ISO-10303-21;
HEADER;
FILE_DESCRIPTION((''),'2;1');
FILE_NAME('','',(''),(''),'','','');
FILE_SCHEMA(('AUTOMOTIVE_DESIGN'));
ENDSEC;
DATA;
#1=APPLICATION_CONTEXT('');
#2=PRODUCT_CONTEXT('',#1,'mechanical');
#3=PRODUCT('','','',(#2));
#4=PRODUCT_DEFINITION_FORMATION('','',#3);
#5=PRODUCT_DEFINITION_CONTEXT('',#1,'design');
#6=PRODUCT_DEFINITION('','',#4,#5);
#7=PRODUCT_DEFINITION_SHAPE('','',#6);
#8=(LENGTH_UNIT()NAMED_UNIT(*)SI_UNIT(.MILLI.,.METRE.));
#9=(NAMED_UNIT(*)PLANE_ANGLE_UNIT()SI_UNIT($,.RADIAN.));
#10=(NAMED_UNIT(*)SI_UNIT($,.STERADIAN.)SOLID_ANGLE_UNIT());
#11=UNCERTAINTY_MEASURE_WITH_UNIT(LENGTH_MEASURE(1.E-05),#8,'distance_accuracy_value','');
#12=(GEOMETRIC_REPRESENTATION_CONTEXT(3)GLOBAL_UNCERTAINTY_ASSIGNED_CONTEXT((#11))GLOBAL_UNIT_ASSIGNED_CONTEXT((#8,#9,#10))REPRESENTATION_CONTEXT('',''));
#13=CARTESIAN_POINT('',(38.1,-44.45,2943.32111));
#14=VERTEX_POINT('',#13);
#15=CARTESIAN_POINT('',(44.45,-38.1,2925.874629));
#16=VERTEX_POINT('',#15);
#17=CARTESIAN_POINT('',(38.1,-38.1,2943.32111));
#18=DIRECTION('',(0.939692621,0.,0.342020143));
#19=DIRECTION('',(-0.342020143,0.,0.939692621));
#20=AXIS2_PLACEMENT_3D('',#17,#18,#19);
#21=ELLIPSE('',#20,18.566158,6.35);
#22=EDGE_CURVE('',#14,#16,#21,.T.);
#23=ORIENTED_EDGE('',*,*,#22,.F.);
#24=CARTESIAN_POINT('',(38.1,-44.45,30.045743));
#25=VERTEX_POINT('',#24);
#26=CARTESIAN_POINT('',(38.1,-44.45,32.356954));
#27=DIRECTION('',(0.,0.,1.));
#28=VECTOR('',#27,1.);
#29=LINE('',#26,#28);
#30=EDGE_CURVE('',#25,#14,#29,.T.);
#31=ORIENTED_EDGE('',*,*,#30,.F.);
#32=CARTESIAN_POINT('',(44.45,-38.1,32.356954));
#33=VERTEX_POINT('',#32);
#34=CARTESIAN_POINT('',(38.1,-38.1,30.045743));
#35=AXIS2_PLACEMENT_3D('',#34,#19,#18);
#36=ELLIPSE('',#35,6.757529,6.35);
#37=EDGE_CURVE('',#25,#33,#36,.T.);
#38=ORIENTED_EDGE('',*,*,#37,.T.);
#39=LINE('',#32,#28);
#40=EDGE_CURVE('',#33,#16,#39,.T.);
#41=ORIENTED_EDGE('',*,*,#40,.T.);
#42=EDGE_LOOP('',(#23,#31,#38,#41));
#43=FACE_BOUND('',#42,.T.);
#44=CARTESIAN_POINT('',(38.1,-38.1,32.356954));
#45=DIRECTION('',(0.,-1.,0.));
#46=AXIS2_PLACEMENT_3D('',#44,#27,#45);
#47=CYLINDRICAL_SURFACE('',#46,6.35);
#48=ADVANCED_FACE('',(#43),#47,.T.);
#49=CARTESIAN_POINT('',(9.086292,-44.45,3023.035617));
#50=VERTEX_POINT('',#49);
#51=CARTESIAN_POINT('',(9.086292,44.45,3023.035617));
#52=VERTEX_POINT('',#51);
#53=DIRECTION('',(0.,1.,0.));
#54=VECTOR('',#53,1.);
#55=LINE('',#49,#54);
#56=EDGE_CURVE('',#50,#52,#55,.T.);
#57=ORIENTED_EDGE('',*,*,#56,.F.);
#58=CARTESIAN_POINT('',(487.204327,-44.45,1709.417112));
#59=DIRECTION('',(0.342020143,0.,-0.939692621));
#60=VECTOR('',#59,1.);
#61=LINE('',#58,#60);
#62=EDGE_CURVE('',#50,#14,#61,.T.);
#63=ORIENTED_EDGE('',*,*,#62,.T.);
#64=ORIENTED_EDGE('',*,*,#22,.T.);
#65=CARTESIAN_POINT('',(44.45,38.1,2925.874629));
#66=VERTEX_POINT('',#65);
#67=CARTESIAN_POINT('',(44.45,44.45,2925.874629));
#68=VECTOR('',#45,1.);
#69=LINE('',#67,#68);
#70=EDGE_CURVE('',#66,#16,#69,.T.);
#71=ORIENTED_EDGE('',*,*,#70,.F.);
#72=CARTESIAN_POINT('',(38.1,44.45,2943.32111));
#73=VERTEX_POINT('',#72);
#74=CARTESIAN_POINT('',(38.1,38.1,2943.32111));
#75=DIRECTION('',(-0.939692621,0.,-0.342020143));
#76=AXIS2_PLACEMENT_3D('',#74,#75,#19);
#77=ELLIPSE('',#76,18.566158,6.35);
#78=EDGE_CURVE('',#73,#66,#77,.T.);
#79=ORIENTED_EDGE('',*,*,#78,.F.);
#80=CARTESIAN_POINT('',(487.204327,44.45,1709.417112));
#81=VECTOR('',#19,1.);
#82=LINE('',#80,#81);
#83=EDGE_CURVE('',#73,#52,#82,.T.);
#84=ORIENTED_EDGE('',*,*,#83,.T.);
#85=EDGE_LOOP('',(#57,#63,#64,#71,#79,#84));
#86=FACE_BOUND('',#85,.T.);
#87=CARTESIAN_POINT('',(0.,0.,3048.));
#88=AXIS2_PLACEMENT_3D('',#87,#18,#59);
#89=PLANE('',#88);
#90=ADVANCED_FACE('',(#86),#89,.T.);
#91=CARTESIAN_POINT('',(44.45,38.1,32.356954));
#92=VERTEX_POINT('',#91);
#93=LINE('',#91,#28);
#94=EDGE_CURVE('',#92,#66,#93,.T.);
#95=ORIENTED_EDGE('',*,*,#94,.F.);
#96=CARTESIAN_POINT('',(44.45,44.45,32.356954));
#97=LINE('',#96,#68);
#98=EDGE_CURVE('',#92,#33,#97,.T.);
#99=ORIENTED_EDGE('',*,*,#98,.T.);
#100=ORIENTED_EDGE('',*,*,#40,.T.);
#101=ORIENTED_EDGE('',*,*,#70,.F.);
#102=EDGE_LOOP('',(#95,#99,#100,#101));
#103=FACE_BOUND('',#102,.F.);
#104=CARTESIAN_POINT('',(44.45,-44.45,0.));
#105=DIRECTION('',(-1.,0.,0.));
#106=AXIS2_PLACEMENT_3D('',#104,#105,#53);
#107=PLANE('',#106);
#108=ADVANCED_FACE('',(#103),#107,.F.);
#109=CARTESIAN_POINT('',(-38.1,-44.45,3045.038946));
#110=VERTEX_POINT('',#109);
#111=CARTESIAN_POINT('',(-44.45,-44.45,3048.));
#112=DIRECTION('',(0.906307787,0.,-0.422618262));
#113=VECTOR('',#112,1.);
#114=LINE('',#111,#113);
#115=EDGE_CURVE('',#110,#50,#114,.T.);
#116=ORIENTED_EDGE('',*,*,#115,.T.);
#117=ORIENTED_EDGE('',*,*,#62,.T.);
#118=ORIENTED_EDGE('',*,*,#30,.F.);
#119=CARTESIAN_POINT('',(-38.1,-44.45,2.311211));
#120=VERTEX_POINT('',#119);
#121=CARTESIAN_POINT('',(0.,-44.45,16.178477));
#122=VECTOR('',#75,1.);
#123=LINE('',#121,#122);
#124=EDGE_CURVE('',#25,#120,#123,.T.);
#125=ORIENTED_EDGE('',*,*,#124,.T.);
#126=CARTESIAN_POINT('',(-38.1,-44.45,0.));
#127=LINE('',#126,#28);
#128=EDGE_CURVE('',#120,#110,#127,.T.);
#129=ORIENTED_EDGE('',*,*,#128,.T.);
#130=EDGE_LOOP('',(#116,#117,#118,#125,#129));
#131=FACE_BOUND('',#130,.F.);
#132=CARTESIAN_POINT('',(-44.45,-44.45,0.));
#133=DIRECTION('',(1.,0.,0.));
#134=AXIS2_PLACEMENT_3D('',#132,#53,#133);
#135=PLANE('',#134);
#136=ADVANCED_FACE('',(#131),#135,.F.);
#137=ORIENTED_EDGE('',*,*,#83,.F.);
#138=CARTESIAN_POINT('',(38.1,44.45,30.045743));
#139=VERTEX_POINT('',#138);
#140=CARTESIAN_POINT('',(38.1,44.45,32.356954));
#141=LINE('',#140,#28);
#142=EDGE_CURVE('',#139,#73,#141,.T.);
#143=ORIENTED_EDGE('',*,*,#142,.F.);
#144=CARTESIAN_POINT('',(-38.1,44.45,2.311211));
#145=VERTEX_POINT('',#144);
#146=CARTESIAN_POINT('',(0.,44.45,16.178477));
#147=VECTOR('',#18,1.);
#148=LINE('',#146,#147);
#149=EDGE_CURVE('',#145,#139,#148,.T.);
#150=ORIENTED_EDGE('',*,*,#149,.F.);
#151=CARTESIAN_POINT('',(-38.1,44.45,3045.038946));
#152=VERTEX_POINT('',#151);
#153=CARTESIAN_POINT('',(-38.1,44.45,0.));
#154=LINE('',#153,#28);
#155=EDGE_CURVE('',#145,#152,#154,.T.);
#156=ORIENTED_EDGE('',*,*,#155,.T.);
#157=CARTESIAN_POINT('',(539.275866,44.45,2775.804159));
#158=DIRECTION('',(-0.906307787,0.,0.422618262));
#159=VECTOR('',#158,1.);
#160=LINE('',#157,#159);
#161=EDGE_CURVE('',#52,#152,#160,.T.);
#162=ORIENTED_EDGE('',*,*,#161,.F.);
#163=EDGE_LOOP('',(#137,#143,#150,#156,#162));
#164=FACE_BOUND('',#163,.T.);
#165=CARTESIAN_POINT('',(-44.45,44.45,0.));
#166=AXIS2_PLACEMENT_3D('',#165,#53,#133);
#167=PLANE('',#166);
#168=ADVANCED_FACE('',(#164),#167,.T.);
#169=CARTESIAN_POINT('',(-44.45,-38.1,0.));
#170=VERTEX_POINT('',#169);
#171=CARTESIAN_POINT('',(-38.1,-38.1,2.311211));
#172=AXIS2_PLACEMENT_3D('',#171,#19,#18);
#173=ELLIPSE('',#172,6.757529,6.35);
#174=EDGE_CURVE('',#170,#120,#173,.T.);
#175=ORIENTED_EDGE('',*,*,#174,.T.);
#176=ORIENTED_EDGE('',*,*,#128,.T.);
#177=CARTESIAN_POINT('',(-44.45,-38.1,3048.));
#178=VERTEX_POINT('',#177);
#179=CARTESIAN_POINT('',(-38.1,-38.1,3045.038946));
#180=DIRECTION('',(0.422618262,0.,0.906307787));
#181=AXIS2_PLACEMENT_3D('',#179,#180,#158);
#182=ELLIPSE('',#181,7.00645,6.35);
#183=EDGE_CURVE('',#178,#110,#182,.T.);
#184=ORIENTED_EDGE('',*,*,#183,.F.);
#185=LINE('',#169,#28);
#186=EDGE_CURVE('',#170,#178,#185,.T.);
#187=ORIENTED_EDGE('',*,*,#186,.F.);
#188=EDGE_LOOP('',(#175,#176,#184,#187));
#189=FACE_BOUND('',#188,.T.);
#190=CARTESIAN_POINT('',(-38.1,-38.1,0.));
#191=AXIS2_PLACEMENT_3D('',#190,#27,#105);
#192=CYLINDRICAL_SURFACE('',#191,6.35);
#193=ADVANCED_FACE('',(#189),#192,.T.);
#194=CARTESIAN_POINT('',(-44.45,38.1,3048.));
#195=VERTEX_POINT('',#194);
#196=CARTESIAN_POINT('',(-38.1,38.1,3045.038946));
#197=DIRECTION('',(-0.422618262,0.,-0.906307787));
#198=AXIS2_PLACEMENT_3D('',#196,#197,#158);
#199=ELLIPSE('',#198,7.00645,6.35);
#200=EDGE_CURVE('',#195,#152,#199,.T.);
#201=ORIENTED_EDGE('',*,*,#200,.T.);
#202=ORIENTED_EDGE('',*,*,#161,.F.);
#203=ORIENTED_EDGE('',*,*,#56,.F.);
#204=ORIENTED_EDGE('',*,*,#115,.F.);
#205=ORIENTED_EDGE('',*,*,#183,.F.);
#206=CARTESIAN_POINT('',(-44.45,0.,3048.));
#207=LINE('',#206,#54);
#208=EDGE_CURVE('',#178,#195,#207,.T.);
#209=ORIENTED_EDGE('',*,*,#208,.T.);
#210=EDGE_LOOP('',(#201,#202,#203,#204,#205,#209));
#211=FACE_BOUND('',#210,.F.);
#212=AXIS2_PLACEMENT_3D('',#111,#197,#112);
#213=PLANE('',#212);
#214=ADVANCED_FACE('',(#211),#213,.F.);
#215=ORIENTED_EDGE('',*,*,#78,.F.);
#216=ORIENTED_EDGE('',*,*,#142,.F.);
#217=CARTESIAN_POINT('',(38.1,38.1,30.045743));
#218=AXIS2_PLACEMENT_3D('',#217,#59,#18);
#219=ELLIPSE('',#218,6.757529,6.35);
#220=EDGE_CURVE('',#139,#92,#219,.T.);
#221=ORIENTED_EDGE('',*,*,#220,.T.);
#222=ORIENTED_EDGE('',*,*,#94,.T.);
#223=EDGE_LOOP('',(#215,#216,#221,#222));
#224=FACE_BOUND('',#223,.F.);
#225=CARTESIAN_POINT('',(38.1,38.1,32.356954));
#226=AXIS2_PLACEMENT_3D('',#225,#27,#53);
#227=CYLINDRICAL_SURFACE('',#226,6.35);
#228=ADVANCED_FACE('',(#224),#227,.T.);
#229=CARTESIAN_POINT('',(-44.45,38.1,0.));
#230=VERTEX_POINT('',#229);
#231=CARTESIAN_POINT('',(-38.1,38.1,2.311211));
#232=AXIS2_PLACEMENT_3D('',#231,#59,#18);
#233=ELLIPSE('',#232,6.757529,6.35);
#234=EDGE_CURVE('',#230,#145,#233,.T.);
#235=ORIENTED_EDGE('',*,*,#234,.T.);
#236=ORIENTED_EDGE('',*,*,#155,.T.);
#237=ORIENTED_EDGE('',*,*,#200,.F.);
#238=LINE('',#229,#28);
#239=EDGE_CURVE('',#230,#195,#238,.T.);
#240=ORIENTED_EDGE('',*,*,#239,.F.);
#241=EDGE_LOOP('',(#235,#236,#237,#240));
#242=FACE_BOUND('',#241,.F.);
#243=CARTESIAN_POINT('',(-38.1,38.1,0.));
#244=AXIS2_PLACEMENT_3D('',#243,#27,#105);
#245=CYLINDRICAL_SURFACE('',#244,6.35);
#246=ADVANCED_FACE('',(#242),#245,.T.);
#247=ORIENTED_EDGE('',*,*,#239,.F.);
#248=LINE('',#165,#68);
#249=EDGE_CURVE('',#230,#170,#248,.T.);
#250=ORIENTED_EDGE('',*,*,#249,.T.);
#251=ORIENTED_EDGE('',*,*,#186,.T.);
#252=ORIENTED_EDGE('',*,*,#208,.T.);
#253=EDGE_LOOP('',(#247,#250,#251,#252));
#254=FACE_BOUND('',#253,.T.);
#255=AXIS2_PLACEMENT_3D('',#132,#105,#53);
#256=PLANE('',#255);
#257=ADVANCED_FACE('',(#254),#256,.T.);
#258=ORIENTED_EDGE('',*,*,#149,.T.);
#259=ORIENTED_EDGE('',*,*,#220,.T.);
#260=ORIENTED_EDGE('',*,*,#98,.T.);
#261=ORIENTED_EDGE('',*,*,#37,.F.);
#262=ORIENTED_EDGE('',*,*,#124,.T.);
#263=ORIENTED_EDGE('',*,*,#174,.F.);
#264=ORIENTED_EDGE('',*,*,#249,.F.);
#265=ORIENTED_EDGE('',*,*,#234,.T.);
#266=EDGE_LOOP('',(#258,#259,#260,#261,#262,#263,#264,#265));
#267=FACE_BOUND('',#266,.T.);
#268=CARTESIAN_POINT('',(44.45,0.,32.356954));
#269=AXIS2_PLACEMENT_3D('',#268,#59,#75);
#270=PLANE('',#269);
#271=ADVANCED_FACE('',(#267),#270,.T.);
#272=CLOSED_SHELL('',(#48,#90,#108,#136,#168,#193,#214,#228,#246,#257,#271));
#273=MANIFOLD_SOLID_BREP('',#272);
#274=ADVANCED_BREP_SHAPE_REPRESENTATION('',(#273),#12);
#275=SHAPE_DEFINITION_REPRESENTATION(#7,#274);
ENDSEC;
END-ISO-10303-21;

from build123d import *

# Parameters (mm, degrees)
F0_W          = 88.9
F0_H          = 88.9
F1_DEPTH      = 3048
F3_DEPTH      = 44.451
F3_DEPTH_BACK = 44.451
F5_DEPTH      = 44.451
F5_DEPTH_BACK = 44.451
F7_DEPTH      = 88.901
F8_R          = 6.35


with BuildPart() as f1:
    # F0 (on Top) → F1 (new body)
    with BuildSketch(Plane.XY):
        Rectangle(F0_W, F0_H)
    extrude(amount=F1_DEPTH)

    # F2 (on Front) → F3 (cut, two sides)
    with BuildSketch(Plane.XZ) as f3_sk:
        Polygon((44.45, 3048), (0, 3048), (44.45, 2925.8746287052), align=None)
    extrude(amount=F3_DEPTH, mode=Mode.SUBTRACT)
    extrude(f3_sk.sketch, amount=-F3_DEPTH_BACK, mode=Mode.SUBTRACT)

    # F4 (on Front) → F5 (cut, two sides)
    with BuildSketch(Plane.XZ) as f5_sk:
        Polygon((44.45, 0), (44.45, 32.3569538263), (-44.45, 0), align=None)
    extrude(amount=-F5_DEPTH, mode=Mode.SUBTRACT)
    extrude(f5_sk.sketch, amount=F5_DEPTH_BACK, mode=Mode.SUBTRACT)

    # F6 (on face) → F7 (cut, through all)
    with BuildSketch(Plane.XZ.offset(44.45)):
        Polygon((0, 3048), (-44.45, 3048), (9.0862923736, 3023.035616877), align=None)
    extrude(amount=-F7_DEPTH, mode=Mode.SUBTRACT)

    # F8
    f8_edges = [f1.edges().sort_by_distance(p)[0] for p in [
        (-44.45, -44.45, 1524),
        (44.45, -44.45, 1479.115791),
        (44.45, 44.45, 1479.115791),
        (-44.45, 44.45, 1524),
    ]]
    fillet(f8_edges, radius=F8_R)


solid = f1.part
